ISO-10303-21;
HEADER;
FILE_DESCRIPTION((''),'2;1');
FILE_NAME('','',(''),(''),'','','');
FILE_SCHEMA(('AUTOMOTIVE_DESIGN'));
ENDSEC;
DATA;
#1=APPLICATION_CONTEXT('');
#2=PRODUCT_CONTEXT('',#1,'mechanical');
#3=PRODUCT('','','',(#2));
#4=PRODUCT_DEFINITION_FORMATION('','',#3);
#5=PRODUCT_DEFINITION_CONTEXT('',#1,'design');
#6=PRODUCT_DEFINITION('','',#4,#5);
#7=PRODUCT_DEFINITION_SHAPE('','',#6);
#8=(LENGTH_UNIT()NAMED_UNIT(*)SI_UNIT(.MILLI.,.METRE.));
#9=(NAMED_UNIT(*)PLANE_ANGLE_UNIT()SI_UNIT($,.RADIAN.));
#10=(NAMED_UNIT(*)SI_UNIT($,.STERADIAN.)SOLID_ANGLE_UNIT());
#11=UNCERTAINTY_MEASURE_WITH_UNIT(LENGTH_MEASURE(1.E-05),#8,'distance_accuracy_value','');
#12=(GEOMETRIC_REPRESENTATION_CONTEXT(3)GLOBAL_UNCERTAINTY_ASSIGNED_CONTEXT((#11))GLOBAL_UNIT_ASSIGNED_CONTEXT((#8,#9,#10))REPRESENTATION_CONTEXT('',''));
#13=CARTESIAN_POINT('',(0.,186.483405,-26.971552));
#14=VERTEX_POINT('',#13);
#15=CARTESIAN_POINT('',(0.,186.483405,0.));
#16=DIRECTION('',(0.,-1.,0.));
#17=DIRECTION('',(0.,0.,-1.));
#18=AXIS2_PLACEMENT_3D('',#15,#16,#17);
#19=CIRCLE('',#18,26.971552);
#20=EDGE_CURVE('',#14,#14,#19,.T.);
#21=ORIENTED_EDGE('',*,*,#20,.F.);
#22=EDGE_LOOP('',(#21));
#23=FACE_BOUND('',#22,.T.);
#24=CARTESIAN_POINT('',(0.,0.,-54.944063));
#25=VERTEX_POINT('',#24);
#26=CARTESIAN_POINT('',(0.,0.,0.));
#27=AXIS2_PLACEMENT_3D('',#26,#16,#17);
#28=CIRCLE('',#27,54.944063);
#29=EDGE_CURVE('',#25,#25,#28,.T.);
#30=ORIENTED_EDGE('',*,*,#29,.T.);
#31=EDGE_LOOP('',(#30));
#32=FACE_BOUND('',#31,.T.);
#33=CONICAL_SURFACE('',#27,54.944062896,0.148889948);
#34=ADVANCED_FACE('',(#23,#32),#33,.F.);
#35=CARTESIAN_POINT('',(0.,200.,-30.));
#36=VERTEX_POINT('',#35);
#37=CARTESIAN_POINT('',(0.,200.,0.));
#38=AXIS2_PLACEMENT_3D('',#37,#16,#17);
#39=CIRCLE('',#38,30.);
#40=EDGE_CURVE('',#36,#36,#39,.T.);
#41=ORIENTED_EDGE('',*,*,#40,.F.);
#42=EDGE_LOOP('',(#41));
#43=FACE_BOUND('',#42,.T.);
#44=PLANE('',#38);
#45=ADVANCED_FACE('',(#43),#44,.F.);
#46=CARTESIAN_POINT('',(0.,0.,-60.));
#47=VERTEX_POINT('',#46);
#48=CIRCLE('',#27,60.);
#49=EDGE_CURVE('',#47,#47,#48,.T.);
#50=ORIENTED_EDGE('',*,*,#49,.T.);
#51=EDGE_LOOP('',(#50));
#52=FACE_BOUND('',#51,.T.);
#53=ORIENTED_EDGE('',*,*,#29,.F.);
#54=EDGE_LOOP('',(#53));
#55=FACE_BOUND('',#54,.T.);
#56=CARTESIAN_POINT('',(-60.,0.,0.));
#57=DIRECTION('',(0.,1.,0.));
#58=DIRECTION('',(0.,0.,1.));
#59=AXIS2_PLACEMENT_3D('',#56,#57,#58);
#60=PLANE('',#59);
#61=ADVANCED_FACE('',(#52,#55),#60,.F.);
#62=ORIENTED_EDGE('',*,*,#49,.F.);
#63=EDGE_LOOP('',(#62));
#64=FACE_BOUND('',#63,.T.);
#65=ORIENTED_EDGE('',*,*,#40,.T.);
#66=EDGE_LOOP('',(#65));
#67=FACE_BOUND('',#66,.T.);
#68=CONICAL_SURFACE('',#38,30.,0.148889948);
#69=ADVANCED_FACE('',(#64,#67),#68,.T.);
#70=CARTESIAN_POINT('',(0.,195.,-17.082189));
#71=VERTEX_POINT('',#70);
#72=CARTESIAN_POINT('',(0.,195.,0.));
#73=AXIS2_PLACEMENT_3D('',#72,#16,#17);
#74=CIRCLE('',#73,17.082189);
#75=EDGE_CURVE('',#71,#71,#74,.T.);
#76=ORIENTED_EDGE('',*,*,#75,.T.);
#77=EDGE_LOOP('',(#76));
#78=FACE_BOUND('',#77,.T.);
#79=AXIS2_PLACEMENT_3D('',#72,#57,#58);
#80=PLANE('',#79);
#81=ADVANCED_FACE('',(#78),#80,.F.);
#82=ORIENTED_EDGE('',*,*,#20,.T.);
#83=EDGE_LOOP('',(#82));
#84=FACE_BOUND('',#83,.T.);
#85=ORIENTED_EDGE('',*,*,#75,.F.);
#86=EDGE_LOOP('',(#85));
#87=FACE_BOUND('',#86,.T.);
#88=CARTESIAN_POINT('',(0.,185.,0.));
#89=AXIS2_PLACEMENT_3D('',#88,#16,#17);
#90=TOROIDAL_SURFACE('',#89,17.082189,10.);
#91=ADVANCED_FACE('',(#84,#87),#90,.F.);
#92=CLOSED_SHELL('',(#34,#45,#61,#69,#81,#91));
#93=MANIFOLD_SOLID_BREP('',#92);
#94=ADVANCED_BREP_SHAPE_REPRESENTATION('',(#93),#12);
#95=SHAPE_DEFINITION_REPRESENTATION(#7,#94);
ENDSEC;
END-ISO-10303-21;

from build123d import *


with BuildPart() as part:
    # Sketch3 → Revolve1 (revolve)
    with BuildSketch(Plane.XY):
        with BuildLine():
            Line((-41.971552217, 86.483404529), (-54.944062896, 0))
            Line((-54.944062896, 0), (-60, 0))
            Line((-60, 0), (-30, 200))
            Line((-30, 200), (0, 200))
            Line((0, 200), (0, 195))
            Line((0, 195), (-17.082188688, 195))
            ThreePointArc((-17.082188688, 195), (-23.607752062, 192.577402104), (-26.971552217, 186.483404529))
            Line((-26.971552217, 186.483404529), (-41.971552217, 86.483404529))
        make_face()
    revolve(axis=Axis((0, 0, 0), (0, 1, 0)))


solid = part.part
